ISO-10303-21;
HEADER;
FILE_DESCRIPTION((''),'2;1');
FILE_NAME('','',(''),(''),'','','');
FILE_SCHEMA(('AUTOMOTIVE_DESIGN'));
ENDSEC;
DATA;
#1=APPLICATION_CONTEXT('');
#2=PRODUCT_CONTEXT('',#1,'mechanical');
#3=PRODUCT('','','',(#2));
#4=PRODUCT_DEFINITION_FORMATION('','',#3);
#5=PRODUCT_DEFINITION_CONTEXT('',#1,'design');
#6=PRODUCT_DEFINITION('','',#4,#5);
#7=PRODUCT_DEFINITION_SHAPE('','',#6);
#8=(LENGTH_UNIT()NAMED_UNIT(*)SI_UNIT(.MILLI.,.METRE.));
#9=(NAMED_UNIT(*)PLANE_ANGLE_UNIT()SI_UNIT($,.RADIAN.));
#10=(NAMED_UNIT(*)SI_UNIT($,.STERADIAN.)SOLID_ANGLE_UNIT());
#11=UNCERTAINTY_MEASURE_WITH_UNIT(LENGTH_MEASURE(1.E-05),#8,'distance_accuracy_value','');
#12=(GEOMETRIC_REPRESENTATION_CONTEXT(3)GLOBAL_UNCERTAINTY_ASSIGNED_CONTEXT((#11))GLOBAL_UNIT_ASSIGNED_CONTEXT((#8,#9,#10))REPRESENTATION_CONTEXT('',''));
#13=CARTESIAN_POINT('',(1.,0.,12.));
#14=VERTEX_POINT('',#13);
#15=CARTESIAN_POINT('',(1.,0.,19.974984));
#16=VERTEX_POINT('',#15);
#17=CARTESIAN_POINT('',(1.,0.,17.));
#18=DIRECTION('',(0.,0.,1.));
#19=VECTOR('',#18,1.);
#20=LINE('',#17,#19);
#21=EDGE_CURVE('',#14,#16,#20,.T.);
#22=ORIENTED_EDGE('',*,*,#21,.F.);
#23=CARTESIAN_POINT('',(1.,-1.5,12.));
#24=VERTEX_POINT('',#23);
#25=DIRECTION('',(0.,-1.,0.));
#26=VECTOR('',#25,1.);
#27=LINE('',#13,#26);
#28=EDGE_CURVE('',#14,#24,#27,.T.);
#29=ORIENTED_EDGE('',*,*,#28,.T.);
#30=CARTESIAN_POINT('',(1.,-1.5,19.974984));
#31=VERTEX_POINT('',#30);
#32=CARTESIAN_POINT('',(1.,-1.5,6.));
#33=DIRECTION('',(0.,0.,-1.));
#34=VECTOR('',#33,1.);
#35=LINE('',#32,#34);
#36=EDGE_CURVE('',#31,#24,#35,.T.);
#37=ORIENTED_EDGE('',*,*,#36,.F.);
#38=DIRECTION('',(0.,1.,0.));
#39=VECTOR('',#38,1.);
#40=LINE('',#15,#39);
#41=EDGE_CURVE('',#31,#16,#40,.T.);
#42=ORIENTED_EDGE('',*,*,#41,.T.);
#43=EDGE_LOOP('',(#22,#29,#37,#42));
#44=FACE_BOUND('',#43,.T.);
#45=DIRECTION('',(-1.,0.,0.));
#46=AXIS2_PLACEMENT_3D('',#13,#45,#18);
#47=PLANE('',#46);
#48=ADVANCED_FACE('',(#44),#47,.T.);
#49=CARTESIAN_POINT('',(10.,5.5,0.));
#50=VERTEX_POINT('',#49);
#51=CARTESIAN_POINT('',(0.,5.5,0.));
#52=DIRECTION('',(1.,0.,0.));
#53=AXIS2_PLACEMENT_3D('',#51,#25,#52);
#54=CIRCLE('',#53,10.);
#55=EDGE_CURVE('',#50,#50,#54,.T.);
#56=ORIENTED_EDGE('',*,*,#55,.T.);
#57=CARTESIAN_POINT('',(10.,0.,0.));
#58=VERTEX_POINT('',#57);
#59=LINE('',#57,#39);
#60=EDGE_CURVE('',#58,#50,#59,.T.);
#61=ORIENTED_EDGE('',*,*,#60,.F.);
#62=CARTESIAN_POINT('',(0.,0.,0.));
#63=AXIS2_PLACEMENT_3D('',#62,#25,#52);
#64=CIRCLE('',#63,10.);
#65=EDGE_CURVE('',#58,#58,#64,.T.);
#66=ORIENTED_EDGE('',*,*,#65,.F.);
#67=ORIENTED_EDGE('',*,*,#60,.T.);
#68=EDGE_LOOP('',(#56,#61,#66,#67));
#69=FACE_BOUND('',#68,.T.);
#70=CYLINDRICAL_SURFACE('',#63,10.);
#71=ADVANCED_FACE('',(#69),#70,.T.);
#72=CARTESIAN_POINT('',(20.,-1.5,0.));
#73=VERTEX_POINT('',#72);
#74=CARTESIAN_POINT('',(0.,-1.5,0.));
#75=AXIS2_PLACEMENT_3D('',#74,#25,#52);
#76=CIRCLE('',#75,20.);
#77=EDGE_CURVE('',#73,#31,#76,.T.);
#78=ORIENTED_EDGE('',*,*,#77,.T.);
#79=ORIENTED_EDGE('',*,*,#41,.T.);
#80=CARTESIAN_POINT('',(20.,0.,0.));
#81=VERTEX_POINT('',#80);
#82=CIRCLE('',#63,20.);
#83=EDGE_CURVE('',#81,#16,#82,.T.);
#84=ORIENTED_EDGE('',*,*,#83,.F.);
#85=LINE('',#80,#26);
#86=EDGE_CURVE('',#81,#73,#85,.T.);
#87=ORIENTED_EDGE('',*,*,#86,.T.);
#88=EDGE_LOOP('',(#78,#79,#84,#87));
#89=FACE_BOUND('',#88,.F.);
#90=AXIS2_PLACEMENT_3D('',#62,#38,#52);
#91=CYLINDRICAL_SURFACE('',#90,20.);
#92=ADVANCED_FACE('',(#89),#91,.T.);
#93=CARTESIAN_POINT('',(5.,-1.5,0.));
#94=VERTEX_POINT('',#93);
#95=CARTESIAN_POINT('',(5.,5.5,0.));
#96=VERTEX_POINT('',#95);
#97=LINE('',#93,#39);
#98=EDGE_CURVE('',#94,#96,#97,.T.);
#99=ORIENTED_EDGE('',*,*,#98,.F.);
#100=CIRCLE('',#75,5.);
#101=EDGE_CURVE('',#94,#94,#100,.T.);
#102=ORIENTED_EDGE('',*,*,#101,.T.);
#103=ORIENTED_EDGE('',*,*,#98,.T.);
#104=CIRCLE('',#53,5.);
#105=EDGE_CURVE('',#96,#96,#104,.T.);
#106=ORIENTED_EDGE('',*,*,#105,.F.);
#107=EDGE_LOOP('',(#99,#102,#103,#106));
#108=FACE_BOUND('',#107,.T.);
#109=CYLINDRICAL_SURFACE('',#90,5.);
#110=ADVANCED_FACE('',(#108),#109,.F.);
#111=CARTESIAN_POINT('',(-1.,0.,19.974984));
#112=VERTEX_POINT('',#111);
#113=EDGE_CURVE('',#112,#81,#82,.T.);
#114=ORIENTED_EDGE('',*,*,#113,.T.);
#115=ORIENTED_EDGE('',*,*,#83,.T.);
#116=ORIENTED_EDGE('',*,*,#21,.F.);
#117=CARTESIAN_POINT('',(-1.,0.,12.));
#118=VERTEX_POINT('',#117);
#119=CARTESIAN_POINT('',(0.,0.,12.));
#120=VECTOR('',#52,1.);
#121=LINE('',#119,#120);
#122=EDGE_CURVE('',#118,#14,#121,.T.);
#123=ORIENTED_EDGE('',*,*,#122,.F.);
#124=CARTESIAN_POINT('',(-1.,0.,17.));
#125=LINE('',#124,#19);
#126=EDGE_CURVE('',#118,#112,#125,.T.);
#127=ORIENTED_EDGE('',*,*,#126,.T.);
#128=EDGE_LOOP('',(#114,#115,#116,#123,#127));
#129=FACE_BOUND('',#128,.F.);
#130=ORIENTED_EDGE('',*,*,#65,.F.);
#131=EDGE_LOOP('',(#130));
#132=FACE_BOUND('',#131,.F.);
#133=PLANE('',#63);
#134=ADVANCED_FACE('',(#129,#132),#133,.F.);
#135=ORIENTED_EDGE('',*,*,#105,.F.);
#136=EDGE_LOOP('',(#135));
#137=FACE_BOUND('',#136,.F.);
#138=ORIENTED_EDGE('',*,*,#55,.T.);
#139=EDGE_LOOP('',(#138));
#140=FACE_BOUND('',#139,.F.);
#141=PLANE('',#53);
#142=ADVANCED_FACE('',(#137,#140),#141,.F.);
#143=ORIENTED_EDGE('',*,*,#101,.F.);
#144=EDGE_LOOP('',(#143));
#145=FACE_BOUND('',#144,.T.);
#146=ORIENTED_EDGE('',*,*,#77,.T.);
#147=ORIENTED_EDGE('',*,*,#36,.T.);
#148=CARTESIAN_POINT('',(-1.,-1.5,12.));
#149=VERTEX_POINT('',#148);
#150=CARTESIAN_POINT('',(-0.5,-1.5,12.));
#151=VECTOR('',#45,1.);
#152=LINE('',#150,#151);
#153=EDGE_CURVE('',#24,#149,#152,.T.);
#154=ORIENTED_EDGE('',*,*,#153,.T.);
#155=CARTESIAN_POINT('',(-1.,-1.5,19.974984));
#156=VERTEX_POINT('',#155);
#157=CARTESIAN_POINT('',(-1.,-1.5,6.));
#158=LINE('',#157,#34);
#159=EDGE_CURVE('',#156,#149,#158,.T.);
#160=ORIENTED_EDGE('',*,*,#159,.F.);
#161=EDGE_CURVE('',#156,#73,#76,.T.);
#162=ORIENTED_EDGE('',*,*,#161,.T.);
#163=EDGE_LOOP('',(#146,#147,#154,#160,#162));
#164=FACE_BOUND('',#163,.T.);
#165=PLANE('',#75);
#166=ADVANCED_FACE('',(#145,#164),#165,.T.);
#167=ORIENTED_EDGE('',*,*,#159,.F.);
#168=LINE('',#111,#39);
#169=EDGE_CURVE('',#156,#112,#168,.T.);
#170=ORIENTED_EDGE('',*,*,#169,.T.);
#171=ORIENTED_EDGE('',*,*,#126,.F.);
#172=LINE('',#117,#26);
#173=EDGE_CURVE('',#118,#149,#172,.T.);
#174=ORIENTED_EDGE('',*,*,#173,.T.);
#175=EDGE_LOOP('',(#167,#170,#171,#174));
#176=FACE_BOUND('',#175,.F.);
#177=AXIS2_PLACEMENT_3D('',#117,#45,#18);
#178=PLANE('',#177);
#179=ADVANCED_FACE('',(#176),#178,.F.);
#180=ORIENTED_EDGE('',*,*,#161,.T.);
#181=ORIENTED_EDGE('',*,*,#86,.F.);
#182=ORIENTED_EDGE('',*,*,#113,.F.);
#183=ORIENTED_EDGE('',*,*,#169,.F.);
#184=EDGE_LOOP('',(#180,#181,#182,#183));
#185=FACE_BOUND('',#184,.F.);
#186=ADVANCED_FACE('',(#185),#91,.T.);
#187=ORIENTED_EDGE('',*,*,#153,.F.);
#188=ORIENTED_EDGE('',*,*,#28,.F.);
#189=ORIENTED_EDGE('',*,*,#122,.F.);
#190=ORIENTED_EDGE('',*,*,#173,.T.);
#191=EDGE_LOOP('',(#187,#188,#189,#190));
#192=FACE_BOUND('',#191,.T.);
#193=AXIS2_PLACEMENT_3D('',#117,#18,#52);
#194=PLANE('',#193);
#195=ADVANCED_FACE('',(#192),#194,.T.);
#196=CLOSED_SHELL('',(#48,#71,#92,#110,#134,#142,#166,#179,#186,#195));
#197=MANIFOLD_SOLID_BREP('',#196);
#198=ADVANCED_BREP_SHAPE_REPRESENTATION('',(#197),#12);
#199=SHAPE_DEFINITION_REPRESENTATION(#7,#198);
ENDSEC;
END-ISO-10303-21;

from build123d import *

# Parameters (mm, degrees)
F0_R     = 10
F0_R_2   = 5
F1_DEPTH = 5.5
F2_R     = 20
F2_R_2   = 5
F3_DEPTH = 1.5
F4_W     = 2
F4_H     = 10
F5_DEPTH = 1.501


with BuildPart() as f1:
    # F0 (on Front) → F1 (new body)
    with BuildSketch(Plane.XZ):
        Circle(F0_R)
        Circle(F0_R_2, mode=Mode.SUBTRACT)
    extrude(amount=-F1_DEPTH)

    # F2 (on Front) → F3 (join)
    with BuildSketch(Plane.XZ):
        Circle(F2_R)
        Circle(F2_R_2, mode=Mode.SUBTRACT)
    extrude(amount=F3_DEPTH)

    # F4 (on Front) → F5 (cut, through all)
    with BuildSketch(Plane.XZ):
        with Locations((0, 17)):
            Rectangle(F4_W, F4_H)
    extrude(amount=F5_DEPTH, mode=Mode.SUBTRACT)


solid = f1.part
